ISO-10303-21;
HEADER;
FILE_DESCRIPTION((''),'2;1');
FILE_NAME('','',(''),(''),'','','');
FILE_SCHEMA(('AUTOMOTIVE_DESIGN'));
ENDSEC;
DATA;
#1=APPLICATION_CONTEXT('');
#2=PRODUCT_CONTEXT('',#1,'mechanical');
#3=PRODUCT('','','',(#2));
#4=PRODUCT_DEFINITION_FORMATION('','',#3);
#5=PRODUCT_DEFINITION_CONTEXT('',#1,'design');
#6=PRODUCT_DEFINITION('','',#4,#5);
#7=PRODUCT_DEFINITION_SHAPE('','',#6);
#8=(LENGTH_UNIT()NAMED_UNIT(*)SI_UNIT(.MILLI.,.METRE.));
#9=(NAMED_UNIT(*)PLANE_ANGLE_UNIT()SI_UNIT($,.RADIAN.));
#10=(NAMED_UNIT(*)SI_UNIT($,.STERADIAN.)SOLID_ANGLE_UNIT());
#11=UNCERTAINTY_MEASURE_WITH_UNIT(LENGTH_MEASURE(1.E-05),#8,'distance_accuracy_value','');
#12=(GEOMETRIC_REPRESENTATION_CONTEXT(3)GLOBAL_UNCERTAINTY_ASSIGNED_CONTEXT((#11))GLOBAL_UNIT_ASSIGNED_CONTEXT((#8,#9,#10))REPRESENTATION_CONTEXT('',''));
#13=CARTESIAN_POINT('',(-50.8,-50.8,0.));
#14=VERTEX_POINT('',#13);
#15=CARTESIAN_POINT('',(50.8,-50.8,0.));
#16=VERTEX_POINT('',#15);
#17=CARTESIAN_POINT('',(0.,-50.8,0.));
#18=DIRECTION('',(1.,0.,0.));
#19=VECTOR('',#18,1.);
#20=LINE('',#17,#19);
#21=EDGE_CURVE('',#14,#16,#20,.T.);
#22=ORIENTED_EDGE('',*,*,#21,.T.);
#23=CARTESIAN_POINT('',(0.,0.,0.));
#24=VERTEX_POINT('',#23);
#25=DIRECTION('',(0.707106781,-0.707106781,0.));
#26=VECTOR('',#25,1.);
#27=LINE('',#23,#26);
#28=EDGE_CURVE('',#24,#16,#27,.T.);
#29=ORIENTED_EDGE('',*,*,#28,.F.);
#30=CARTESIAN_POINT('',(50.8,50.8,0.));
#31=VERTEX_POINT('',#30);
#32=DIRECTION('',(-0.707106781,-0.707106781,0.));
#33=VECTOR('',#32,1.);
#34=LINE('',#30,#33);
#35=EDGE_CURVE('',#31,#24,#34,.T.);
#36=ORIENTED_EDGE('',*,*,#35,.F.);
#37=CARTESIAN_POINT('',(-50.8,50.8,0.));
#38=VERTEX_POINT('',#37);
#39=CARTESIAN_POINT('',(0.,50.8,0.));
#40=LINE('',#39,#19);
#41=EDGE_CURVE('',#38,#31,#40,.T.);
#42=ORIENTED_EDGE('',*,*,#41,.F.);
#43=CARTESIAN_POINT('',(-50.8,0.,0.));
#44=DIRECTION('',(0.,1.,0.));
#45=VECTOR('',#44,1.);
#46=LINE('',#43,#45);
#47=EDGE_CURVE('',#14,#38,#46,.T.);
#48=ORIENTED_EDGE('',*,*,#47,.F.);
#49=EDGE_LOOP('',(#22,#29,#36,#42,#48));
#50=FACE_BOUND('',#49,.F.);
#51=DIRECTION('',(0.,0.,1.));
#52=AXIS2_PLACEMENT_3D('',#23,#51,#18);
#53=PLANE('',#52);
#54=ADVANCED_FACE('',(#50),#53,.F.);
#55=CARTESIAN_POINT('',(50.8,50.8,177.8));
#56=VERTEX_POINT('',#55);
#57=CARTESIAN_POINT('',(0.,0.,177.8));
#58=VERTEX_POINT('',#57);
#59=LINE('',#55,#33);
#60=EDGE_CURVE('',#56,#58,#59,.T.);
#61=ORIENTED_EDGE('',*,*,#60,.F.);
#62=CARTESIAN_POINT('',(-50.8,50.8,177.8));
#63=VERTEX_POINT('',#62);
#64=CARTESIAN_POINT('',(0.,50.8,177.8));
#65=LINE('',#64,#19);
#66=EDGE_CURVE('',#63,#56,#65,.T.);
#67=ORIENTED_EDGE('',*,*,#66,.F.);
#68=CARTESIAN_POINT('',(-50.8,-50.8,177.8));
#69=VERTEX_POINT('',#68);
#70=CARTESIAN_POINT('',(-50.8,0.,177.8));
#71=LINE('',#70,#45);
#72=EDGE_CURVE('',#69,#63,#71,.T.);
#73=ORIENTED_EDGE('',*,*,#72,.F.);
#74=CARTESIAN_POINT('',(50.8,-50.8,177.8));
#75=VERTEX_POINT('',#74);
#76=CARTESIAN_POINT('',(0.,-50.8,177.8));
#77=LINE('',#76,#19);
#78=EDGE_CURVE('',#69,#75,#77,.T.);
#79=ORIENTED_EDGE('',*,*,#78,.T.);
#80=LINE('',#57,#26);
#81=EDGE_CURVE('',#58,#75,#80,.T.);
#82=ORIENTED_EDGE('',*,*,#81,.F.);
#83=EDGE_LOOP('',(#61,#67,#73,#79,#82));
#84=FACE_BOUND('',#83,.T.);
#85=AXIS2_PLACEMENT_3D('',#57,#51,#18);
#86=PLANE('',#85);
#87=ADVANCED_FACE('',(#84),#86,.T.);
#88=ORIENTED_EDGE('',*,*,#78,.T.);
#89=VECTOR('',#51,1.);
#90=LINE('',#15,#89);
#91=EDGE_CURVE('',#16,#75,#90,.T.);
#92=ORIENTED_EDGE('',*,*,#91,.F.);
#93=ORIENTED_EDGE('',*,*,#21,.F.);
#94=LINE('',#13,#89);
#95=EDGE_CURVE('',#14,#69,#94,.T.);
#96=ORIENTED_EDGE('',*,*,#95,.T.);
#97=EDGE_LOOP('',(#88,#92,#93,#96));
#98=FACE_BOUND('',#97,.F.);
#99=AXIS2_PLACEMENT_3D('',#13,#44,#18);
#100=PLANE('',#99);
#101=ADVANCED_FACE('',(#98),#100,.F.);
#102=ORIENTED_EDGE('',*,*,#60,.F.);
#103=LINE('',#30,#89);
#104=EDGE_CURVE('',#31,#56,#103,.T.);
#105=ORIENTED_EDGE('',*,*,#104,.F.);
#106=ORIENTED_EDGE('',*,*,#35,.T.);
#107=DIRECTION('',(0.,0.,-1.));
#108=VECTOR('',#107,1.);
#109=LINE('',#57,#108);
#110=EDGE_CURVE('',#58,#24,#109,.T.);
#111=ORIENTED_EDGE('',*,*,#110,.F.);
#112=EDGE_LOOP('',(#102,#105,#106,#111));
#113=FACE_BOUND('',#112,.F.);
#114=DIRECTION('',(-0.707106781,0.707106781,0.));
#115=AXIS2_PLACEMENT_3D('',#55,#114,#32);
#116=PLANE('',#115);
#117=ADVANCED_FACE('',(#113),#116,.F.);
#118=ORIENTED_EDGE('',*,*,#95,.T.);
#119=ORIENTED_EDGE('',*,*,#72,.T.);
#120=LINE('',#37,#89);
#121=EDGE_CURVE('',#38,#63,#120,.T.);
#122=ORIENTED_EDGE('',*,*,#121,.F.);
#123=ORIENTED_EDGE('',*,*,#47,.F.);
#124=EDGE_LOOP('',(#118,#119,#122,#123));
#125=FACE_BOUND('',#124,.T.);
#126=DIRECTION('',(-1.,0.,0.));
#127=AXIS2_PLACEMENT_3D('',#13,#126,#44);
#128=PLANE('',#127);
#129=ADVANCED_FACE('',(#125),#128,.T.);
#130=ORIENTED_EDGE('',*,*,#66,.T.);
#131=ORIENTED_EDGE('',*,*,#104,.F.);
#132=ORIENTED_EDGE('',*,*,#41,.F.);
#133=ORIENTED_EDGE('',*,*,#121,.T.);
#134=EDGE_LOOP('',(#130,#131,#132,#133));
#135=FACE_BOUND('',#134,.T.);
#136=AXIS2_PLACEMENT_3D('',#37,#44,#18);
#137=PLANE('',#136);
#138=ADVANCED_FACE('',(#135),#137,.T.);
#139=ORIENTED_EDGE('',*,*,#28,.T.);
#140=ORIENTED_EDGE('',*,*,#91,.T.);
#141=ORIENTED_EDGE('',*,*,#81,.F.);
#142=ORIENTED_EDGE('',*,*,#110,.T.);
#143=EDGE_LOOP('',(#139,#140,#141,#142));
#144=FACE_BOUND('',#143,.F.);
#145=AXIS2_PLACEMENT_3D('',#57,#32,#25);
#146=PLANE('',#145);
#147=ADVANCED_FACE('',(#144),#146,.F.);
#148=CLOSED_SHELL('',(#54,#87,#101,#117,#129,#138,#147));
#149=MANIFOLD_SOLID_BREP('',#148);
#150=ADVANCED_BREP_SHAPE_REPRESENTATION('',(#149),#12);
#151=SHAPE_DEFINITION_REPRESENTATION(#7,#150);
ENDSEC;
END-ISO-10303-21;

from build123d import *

# Parameters (mm, degrees)
F0_W     = 101.6
F0_H     = 101.6
F1_DEPTH = 177.8
F3_DEPTH = 177.8


with BuildPart() as f1:
    # F0 (on Top) → F1 (new body)
    with BuildSketch(Plane.XY):
        Rectangle(F0_W, F0_H)
    extrude(amount=F1_DEPTH)

    # F2 (on face) → F3 (cut, through all)
    with BuildSketch(Plane.XY.offset(177.8)):
        Polygon((50.8, 50.8), (0, 0), (50.8, -50.8), align=None)
    extrude(amount=-F3_DEPTH, mode=Mode.SUBTRACT)


solid = f1.part
